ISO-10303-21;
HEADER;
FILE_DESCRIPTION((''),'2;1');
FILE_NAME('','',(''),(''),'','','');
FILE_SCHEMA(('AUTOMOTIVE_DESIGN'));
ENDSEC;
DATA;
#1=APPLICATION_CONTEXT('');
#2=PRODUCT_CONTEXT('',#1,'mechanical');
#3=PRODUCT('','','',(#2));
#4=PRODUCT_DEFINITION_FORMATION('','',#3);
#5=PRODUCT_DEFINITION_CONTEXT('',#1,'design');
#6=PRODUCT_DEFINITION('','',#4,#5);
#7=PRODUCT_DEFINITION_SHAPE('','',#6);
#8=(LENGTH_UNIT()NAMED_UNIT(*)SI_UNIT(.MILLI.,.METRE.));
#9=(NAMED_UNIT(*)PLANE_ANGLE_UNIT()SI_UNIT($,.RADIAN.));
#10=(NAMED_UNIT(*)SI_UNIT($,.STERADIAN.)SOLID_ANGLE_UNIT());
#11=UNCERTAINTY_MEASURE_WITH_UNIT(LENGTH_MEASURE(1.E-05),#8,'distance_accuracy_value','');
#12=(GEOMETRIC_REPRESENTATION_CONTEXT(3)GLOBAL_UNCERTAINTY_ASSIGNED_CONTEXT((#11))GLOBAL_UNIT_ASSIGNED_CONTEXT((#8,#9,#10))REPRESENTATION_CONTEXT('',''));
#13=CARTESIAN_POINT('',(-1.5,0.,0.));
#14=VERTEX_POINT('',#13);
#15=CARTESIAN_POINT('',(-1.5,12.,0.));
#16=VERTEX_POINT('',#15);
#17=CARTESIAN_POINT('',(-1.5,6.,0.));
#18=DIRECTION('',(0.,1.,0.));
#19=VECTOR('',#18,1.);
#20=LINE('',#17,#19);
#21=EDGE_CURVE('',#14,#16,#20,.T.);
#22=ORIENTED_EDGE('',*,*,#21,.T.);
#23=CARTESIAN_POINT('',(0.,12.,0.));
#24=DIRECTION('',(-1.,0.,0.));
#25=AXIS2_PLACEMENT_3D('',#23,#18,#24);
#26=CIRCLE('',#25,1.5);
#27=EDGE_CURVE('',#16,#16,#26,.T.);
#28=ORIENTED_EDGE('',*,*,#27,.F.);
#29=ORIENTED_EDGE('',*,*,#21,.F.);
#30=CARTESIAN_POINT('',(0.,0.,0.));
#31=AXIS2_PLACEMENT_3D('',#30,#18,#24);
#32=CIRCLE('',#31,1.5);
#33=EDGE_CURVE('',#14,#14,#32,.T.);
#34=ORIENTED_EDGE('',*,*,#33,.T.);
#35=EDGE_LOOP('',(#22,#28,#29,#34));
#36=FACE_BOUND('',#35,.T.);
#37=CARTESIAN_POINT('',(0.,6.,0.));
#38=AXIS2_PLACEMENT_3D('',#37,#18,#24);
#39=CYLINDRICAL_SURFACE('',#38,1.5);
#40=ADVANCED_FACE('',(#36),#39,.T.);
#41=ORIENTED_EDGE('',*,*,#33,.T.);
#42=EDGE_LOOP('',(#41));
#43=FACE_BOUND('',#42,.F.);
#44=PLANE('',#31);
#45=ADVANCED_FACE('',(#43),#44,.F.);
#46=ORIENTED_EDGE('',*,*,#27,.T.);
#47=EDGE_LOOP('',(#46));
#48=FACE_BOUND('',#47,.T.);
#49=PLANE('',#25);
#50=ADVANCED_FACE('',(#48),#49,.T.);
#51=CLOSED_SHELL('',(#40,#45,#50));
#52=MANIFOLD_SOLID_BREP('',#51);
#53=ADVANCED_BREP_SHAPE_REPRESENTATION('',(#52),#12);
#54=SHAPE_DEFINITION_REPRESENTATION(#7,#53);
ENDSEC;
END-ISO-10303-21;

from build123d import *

# Parameters (mm, degrees)
SKETCH1_W = 1.5
SKETCH1_H = 12


with BuildPart() as part:
    # Sketch1 → Revolve1 (revolve)
    with BuildSketch(Plane.XY):
        with Locations((-0.75, 6)):
            Rectangle(SKETCH1_W, SKETCH1_H)
    revolve(axis=Axis((0, 0, 0), (0, 1, 0)))


solid = part.part
